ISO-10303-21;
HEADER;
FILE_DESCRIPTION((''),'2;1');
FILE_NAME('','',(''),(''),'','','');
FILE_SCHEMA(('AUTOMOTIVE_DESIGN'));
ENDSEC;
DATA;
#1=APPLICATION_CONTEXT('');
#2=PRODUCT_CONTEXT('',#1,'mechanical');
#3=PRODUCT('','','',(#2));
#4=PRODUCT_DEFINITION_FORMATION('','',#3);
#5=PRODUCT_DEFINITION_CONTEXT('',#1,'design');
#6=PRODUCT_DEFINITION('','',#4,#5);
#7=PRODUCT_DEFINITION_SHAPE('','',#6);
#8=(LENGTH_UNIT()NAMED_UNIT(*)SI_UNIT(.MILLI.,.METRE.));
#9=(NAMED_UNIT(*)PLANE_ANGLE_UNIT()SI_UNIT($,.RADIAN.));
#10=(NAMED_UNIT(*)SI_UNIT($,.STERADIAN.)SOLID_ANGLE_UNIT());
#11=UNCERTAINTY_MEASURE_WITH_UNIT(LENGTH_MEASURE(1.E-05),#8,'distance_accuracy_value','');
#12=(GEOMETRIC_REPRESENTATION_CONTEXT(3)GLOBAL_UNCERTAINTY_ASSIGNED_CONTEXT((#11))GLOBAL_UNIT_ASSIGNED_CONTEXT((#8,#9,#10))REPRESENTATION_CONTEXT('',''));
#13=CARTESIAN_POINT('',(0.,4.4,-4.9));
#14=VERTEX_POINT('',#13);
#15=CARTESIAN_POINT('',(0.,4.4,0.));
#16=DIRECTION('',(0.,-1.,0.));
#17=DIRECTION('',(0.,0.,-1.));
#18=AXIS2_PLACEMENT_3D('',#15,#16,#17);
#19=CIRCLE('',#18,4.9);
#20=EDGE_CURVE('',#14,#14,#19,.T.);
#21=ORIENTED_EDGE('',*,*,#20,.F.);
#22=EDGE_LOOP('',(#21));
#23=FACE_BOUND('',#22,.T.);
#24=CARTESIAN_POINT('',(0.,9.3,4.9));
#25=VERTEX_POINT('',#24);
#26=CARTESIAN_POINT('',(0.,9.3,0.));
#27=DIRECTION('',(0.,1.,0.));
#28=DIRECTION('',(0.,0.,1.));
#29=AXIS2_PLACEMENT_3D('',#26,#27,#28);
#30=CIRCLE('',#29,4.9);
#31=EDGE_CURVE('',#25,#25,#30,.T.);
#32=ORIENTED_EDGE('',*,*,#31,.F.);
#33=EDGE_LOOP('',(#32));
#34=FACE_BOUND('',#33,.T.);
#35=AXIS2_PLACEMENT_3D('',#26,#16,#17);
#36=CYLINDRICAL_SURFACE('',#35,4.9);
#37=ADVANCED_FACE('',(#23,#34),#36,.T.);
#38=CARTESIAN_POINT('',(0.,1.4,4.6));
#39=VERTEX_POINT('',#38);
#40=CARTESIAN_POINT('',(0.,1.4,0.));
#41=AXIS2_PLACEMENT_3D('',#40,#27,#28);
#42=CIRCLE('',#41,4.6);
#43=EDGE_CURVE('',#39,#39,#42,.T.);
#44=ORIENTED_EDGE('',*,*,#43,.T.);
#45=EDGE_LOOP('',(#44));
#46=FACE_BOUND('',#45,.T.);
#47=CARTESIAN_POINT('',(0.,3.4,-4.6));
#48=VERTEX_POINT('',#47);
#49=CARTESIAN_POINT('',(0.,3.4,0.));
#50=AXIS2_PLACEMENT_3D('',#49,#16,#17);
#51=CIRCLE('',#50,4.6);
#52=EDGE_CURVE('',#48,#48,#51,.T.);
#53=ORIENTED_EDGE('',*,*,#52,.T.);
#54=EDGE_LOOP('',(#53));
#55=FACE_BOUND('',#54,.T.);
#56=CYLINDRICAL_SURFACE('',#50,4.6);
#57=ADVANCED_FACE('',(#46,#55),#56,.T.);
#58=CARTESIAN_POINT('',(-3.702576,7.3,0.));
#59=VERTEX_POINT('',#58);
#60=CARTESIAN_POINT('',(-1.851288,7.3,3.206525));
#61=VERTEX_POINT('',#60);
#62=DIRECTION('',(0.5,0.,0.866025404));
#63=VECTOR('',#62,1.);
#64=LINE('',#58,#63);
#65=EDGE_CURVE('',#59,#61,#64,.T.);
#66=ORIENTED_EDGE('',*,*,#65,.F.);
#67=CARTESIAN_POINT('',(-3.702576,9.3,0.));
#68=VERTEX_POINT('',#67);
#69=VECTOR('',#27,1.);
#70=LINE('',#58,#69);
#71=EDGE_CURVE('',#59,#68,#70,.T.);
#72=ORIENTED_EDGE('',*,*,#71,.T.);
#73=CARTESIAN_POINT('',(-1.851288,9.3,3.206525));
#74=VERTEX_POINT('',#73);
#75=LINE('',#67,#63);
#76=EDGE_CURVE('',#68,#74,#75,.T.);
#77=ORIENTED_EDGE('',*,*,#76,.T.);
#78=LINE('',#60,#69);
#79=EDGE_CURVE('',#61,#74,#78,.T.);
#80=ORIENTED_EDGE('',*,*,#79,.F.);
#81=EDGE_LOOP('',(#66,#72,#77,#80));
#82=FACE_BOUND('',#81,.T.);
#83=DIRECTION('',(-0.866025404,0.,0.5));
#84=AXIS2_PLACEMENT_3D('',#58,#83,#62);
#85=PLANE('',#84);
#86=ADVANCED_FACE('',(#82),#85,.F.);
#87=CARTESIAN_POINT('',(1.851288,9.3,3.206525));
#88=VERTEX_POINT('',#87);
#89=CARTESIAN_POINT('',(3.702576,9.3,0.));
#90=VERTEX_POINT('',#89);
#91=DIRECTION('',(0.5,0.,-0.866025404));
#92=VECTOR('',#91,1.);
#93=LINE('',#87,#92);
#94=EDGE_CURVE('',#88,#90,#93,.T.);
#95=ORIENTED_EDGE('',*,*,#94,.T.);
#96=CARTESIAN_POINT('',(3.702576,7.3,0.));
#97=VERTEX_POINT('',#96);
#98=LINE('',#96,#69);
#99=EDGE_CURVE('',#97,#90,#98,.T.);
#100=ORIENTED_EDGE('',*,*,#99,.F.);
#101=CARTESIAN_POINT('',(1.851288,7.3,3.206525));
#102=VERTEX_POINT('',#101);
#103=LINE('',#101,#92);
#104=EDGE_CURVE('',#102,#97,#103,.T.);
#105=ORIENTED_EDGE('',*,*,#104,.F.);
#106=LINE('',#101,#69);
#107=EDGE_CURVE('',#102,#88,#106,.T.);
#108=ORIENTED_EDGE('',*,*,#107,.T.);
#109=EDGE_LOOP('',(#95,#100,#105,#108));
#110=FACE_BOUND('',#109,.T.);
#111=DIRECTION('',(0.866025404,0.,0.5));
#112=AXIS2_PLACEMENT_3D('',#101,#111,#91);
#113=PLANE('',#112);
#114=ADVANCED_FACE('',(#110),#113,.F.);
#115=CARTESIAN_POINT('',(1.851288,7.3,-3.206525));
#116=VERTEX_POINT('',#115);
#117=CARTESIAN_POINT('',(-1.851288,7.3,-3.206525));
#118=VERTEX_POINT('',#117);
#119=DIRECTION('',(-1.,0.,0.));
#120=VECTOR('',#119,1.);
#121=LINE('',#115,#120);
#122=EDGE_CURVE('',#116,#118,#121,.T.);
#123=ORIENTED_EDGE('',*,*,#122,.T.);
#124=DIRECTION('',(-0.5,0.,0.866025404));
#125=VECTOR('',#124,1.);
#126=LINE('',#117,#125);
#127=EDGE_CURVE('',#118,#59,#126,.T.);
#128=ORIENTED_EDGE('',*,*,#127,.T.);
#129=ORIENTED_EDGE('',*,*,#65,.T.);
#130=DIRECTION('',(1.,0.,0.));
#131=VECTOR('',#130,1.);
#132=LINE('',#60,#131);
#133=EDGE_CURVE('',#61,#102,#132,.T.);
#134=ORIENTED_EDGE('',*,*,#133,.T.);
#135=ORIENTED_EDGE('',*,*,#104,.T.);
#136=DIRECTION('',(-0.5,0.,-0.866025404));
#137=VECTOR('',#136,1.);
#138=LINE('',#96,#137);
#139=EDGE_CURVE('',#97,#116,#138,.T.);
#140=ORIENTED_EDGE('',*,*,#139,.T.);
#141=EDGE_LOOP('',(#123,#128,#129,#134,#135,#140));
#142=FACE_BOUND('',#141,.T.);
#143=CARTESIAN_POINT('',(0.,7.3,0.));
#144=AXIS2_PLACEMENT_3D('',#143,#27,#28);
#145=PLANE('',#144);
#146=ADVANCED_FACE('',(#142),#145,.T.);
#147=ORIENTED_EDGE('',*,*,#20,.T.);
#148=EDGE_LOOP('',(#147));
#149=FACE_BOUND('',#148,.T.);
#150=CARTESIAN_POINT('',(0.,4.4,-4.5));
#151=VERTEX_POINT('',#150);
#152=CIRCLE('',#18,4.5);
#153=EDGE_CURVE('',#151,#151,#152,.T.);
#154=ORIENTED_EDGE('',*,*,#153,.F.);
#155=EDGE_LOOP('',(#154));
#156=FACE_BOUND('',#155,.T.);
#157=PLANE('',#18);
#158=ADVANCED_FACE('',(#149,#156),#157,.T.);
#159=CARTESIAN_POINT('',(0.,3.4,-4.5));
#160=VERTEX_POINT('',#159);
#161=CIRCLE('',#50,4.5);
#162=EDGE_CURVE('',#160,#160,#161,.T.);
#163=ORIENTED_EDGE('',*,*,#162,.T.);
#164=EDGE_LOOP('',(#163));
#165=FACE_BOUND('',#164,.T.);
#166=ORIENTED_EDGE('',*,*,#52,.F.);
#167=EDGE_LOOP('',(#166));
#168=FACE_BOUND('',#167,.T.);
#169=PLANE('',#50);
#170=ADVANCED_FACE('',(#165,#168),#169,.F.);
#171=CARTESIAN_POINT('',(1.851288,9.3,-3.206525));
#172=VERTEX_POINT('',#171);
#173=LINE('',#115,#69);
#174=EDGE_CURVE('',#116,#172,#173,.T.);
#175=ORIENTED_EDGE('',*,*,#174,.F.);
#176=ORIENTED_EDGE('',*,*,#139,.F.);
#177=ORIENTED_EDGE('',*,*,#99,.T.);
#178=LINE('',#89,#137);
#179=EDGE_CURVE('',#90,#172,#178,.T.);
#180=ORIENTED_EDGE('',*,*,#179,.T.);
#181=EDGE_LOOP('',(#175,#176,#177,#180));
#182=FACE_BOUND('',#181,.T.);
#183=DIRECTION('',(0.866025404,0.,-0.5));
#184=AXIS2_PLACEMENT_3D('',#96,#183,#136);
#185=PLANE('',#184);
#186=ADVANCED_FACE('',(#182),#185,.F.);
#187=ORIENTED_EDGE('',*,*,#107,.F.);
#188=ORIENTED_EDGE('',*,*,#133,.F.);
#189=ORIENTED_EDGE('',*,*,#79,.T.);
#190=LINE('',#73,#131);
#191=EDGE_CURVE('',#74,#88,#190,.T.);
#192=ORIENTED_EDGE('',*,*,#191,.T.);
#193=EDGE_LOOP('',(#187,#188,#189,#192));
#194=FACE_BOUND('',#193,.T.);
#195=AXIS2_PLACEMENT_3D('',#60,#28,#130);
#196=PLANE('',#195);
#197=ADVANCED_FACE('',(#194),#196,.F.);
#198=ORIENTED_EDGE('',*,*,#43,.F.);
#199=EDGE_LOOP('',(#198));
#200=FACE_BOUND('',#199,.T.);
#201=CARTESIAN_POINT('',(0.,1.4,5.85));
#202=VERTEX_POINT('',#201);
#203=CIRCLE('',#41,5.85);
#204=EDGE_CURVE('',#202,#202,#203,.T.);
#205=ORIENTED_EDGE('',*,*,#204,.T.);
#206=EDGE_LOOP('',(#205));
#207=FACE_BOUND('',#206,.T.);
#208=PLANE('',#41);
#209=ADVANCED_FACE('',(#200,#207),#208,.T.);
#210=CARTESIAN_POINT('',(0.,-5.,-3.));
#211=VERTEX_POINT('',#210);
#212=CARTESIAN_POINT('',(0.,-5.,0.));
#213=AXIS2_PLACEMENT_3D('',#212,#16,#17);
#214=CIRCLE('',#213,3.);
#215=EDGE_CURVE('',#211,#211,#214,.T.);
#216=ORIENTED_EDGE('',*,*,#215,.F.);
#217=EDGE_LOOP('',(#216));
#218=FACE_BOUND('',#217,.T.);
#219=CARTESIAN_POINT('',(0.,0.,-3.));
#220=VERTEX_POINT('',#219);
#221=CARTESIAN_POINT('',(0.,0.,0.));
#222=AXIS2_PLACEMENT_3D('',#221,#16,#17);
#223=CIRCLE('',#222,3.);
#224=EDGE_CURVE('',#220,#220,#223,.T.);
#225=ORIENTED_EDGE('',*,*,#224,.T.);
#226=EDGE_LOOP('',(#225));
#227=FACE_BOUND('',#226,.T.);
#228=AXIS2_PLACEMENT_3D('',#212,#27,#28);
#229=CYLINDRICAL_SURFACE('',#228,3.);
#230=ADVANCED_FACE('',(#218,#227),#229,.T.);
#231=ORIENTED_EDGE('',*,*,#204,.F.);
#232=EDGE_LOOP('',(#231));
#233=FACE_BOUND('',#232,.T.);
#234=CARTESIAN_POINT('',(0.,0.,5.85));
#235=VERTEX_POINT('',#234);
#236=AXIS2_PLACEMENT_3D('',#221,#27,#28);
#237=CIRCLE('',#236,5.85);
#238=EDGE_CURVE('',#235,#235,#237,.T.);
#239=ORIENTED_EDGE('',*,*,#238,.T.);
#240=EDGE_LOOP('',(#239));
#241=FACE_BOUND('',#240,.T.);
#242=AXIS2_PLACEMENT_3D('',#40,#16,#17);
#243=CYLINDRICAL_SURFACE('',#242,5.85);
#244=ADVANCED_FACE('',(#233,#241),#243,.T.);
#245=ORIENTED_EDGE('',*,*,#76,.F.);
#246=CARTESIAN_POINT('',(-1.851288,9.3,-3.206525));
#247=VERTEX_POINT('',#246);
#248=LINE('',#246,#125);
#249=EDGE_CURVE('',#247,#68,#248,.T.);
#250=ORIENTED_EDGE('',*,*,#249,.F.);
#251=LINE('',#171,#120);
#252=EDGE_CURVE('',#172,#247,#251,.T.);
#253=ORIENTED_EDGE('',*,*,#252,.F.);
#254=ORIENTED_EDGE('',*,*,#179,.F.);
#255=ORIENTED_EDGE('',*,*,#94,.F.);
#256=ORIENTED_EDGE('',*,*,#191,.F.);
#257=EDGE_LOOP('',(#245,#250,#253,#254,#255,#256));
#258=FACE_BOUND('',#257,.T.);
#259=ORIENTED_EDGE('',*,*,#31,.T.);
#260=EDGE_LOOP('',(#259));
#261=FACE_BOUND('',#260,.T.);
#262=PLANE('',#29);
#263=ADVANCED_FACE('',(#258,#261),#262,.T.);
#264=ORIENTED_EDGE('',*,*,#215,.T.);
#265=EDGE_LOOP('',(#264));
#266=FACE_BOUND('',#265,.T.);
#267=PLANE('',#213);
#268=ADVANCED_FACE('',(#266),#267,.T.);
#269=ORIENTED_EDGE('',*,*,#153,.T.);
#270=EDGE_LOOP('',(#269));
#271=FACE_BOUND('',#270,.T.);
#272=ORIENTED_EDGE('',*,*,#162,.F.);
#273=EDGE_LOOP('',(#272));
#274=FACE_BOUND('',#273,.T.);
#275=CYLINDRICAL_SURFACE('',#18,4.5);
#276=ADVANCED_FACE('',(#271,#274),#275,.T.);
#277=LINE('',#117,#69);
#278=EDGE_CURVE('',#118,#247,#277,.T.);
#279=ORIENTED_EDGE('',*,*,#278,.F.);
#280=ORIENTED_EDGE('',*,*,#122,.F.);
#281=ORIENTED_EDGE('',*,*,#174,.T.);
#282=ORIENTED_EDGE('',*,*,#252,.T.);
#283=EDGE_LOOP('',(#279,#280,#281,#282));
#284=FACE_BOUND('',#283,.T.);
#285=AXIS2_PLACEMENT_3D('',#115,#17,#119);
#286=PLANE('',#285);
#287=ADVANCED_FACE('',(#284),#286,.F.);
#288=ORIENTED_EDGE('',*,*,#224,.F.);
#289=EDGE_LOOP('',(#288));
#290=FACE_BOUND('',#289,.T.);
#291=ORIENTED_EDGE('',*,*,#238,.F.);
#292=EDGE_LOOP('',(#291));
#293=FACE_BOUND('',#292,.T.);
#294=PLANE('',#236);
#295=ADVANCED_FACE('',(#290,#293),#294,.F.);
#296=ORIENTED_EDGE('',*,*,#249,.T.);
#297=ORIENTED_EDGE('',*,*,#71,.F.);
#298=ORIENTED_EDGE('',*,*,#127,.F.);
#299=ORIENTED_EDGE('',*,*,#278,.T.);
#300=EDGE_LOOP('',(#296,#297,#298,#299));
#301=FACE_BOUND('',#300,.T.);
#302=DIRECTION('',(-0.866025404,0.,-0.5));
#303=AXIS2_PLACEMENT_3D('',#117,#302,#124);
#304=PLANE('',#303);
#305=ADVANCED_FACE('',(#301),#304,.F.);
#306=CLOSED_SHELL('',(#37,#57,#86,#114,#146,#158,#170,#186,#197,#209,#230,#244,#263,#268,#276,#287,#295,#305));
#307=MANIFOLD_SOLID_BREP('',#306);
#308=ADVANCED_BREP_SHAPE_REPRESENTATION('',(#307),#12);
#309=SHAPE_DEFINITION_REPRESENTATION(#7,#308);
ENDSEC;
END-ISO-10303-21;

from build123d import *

# Parameters (mm, degrees)
SKETCH_1_R          = 5.85
EXTRUDE_1_DEPTH     = 1.4
SKETCH_2_R          = 4.6
EXTRUDE_2_DEPTH     = 2
SKETCH_3_R          = 4.9
EXTRUDE_3_DEPTH     = 5.9
SKETCH_4_R          = 10.526345736
SKETCH_4_R_2        = 4.5
CUT_EXTRUDE_1_DEPTH = 1
CUT_EXTRUDE_2_DEPTH = 2
SKETCH_6_R          = 3
EXTRUDE_4_DEPTH     = 5


with BuildPart() as part:
    # 草图1 → 凸台-拉伸1 (new body)
    with BuildSketch(Plane(origin=(0, 0, 0), x_dir=(1, 0, 0), z_dir=(0, 1, 0))):
        Circle(SKETCH_1_R)
    extrude(amount=EXTRUDE_1_DEPTH)

    # 草图2 → 凸台-拉伸2 (add)
    with BuildSketch(Plane(origin=(0, 1.4, 0), x_dir=(1, 0, 0), z_dir=(0, 1, 0))):
        Circle(SKETCH_2_R)
    extrude(amount=EXTRUDE_2_DEPTH)

    # 草图3 → 凸台-拉伸3 (add)
    with BuildSketch(Plane(origin=(0, 3.4, 0), x_dir=(1, 0, 0), z_dir=(0, 1, 0))):
        Circle(SKETCH_3_R)
    extrude(amount=EXTRUDE_3_DEPTH)

    # 草图4 → 切除-拉伸1 (cut)
    with BuildSketch(Plane.XZ.offset(-3.4)):
        Circle(SKETCH_4_R)
        Circle(SKETCH_4_R_2, mode=Mode.SUBTRACT)
    extrude(amount=-CUT_EXTRUDE_1_DEPTH, mode=Mode.SUBTRACT)

    # 草图5 → 切除-拉伸2 (cut)
    with BuildSketch(Plane(origin=(0, 9.3, 0), x_dir=(1, 0, 0), z_dir=(0, 1, 0))):
        Polygon((-3.702575932, 0), (-1.851287966, -3.206524817), (1.851287966, -3.206524817), (3.702575932, 0), (1.851287966, 3.206524817), (-1.851287966, 3.206524817), align=None)
    extrude(amount=-CUT_EXTRUDE_2_DEPTH, mode=Mode.SUBTRACT)

    # 草图6 → 凸台-拉伸4 (add)
    with BuildSketch(Plane.XZ):
        Circle(SKETCH_6_R)
    extrude(amount=EXTRUDE_4_DEPTH)


solid = part.part
